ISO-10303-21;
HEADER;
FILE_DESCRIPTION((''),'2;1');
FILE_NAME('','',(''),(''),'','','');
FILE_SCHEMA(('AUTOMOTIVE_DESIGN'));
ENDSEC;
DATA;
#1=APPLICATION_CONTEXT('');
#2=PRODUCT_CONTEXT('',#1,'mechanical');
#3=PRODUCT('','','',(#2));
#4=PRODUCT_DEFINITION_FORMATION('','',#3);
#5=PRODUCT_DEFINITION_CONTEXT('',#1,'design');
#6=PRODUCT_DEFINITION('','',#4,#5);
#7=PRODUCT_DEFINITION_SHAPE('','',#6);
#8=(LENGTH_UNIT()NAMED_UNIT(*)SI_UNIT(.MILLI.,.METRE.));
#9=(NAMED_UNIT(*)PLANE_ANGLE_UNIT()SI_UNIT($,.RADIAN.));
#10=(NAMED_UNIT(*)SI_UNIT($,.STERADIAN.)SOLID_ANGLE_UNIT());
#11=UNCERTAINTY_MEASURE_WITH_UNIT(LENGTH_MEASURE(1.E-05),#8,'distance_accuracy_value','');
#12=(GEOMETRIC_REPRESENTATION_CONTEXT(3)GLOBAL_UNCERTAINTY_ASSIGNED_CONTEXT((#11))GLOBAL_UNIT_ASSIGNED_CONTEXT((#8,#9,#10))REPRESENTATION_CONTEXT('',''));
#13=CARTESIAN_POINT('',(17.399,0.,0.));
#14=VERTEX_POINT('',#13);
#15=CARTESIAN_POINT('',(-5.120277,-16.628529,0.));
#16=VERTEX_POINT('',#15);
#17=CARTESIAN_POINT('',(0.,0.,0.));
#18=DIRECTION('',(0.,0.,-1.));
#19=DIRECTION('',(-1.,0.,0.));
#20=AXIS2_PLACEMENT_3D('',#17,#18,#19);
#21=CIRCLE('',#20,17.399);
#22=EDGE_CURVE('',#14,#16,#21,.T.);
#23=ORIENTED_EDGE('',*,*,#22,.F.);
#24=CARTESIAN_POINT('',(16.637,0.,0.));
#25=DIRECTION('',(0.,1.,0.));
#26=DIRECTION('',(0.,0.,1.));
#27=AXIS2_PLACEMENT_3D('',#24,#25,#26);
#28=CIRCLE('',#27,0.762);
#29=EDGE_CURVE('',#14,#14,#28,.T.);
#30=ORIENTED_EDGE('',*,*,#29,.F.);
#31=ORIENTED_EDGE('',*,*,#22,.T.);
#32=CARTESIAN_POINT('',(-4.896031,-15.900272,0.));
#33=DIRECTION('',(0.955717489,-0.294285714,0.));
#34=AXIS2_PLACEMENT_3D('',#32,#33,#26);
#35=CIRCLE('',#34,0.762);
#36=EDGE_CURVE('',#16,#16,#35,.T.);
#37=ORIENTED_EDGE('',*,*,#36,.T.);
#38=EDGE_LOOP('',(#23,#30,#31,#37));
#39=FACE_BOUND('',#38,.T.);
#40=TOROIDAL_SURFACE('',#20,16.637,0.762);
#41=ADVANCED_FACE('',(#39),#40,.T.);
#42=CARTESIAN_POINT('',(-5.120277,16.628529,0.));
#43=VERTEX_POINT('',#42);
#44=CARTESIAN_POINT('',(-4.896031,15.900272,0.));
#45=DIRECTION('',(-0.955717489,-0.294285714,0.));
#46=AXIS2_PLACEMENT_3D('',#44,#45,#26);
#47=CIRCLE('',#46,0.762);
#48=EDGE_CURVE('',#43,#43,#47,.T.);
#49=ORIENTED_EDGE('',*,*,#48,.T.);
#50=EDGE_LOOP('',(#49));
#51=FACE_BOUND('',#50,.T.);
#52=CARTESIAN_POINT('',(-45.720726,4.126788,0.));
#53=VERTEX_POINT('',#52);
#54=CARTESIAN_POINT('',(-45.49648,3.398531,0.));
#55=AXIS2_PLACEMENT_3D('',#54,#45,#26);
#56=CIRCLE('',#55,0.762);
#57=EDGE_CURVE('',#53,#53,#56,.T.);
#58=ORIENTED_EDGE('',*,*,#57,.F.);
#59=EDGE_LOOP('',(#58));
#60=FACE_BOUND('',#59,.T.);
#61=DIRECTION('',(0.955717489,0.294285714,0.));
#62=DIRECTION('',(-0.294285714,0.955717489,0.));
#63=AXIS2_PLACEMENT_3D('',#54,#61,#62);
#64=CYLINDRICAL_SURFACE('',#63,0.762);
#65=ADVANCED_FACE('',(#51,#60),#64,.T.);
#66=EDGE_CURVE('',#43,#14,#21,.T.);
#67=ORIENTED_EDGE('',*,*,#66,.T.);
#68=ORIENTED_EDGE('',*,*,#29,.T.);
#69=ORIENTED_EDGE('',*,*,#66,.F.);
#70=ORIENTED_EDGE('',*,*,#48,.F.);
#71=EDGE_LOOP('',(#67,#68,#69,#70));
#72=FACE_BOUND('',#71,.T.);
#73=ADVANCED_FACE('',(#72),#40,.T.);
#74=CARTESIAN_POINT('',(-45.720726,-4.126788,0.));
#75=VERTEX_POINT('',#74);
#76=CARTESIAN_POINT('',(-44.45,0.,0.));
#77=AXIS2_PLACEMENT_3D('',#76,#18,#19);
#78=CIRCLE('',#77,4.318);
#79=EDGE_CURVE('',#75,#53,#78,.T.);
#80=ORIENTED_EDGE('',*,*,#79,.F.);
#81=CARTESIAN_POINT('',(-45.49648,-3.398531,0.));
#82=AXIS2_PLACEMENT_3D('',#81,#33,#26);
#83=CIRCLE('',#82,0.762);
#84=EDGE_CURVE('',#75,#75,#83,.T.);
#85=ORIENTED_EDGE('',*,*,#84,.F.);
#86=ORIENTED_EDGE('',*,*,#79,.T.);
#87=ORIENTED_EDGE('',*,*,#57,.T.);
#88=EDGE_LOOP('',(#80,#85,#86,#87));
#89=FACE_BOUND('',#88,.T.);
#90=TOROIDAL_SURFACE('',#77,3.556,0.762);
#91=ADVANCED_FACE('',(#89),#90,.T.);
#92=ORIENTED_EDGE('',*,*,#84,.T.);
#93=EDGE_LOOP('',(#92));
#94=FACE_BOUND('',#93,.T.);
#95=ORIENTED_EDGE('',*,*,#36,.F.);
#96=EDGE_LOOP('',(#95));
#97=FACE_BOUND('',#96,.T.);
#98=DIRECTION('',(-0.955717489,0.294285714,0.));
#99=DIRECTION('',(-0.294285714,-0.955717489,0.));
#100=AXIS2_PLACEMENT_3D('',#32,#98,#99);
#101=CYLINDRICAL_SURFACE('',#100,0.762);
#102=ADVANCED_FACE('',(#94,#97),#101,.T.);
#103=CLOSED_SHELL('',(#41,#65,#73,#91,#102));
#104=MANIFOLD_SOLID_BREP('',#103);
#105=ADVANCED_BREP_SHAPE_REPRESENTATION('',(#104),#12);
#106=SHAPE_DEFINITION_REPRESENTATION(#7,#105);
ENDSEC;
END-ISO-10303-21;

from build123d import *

# Parameters (mm, degrees)
SKETCH2_R = 0.762


with BuildPart() as part:
    # Sweep1: sweep along a path in Sketch1
    with BuildLine(Plane.XY) as sweep1_path:
        Line((-45.272234286, 2.670274664), (-4.671785714, 15.172015134))
        ThreePointArc((-4.671785714, 15.172015134), (15.875, 0), (-4.671785714, -15.172015134))
        Line((-4.671785714, -15.172015134), (-45.272234286, -2.670274664))
        ThreePointArc((-45.272234286, -2.670274664), (-47.244, 0), (-45.272234286, 2.670274664))
    # Sketch2 → Sweep1 (sweep)
    with BuildSketch(Plane(origin=(0, 0, 0), x_dir=(1, 0, 0), z_dir=(0, 1, 0))):
        with Locations((16.637, 0)):
            Circle(SKETCH2_R)
    sweep(path=sweep1_path.line)


solid = part.part
